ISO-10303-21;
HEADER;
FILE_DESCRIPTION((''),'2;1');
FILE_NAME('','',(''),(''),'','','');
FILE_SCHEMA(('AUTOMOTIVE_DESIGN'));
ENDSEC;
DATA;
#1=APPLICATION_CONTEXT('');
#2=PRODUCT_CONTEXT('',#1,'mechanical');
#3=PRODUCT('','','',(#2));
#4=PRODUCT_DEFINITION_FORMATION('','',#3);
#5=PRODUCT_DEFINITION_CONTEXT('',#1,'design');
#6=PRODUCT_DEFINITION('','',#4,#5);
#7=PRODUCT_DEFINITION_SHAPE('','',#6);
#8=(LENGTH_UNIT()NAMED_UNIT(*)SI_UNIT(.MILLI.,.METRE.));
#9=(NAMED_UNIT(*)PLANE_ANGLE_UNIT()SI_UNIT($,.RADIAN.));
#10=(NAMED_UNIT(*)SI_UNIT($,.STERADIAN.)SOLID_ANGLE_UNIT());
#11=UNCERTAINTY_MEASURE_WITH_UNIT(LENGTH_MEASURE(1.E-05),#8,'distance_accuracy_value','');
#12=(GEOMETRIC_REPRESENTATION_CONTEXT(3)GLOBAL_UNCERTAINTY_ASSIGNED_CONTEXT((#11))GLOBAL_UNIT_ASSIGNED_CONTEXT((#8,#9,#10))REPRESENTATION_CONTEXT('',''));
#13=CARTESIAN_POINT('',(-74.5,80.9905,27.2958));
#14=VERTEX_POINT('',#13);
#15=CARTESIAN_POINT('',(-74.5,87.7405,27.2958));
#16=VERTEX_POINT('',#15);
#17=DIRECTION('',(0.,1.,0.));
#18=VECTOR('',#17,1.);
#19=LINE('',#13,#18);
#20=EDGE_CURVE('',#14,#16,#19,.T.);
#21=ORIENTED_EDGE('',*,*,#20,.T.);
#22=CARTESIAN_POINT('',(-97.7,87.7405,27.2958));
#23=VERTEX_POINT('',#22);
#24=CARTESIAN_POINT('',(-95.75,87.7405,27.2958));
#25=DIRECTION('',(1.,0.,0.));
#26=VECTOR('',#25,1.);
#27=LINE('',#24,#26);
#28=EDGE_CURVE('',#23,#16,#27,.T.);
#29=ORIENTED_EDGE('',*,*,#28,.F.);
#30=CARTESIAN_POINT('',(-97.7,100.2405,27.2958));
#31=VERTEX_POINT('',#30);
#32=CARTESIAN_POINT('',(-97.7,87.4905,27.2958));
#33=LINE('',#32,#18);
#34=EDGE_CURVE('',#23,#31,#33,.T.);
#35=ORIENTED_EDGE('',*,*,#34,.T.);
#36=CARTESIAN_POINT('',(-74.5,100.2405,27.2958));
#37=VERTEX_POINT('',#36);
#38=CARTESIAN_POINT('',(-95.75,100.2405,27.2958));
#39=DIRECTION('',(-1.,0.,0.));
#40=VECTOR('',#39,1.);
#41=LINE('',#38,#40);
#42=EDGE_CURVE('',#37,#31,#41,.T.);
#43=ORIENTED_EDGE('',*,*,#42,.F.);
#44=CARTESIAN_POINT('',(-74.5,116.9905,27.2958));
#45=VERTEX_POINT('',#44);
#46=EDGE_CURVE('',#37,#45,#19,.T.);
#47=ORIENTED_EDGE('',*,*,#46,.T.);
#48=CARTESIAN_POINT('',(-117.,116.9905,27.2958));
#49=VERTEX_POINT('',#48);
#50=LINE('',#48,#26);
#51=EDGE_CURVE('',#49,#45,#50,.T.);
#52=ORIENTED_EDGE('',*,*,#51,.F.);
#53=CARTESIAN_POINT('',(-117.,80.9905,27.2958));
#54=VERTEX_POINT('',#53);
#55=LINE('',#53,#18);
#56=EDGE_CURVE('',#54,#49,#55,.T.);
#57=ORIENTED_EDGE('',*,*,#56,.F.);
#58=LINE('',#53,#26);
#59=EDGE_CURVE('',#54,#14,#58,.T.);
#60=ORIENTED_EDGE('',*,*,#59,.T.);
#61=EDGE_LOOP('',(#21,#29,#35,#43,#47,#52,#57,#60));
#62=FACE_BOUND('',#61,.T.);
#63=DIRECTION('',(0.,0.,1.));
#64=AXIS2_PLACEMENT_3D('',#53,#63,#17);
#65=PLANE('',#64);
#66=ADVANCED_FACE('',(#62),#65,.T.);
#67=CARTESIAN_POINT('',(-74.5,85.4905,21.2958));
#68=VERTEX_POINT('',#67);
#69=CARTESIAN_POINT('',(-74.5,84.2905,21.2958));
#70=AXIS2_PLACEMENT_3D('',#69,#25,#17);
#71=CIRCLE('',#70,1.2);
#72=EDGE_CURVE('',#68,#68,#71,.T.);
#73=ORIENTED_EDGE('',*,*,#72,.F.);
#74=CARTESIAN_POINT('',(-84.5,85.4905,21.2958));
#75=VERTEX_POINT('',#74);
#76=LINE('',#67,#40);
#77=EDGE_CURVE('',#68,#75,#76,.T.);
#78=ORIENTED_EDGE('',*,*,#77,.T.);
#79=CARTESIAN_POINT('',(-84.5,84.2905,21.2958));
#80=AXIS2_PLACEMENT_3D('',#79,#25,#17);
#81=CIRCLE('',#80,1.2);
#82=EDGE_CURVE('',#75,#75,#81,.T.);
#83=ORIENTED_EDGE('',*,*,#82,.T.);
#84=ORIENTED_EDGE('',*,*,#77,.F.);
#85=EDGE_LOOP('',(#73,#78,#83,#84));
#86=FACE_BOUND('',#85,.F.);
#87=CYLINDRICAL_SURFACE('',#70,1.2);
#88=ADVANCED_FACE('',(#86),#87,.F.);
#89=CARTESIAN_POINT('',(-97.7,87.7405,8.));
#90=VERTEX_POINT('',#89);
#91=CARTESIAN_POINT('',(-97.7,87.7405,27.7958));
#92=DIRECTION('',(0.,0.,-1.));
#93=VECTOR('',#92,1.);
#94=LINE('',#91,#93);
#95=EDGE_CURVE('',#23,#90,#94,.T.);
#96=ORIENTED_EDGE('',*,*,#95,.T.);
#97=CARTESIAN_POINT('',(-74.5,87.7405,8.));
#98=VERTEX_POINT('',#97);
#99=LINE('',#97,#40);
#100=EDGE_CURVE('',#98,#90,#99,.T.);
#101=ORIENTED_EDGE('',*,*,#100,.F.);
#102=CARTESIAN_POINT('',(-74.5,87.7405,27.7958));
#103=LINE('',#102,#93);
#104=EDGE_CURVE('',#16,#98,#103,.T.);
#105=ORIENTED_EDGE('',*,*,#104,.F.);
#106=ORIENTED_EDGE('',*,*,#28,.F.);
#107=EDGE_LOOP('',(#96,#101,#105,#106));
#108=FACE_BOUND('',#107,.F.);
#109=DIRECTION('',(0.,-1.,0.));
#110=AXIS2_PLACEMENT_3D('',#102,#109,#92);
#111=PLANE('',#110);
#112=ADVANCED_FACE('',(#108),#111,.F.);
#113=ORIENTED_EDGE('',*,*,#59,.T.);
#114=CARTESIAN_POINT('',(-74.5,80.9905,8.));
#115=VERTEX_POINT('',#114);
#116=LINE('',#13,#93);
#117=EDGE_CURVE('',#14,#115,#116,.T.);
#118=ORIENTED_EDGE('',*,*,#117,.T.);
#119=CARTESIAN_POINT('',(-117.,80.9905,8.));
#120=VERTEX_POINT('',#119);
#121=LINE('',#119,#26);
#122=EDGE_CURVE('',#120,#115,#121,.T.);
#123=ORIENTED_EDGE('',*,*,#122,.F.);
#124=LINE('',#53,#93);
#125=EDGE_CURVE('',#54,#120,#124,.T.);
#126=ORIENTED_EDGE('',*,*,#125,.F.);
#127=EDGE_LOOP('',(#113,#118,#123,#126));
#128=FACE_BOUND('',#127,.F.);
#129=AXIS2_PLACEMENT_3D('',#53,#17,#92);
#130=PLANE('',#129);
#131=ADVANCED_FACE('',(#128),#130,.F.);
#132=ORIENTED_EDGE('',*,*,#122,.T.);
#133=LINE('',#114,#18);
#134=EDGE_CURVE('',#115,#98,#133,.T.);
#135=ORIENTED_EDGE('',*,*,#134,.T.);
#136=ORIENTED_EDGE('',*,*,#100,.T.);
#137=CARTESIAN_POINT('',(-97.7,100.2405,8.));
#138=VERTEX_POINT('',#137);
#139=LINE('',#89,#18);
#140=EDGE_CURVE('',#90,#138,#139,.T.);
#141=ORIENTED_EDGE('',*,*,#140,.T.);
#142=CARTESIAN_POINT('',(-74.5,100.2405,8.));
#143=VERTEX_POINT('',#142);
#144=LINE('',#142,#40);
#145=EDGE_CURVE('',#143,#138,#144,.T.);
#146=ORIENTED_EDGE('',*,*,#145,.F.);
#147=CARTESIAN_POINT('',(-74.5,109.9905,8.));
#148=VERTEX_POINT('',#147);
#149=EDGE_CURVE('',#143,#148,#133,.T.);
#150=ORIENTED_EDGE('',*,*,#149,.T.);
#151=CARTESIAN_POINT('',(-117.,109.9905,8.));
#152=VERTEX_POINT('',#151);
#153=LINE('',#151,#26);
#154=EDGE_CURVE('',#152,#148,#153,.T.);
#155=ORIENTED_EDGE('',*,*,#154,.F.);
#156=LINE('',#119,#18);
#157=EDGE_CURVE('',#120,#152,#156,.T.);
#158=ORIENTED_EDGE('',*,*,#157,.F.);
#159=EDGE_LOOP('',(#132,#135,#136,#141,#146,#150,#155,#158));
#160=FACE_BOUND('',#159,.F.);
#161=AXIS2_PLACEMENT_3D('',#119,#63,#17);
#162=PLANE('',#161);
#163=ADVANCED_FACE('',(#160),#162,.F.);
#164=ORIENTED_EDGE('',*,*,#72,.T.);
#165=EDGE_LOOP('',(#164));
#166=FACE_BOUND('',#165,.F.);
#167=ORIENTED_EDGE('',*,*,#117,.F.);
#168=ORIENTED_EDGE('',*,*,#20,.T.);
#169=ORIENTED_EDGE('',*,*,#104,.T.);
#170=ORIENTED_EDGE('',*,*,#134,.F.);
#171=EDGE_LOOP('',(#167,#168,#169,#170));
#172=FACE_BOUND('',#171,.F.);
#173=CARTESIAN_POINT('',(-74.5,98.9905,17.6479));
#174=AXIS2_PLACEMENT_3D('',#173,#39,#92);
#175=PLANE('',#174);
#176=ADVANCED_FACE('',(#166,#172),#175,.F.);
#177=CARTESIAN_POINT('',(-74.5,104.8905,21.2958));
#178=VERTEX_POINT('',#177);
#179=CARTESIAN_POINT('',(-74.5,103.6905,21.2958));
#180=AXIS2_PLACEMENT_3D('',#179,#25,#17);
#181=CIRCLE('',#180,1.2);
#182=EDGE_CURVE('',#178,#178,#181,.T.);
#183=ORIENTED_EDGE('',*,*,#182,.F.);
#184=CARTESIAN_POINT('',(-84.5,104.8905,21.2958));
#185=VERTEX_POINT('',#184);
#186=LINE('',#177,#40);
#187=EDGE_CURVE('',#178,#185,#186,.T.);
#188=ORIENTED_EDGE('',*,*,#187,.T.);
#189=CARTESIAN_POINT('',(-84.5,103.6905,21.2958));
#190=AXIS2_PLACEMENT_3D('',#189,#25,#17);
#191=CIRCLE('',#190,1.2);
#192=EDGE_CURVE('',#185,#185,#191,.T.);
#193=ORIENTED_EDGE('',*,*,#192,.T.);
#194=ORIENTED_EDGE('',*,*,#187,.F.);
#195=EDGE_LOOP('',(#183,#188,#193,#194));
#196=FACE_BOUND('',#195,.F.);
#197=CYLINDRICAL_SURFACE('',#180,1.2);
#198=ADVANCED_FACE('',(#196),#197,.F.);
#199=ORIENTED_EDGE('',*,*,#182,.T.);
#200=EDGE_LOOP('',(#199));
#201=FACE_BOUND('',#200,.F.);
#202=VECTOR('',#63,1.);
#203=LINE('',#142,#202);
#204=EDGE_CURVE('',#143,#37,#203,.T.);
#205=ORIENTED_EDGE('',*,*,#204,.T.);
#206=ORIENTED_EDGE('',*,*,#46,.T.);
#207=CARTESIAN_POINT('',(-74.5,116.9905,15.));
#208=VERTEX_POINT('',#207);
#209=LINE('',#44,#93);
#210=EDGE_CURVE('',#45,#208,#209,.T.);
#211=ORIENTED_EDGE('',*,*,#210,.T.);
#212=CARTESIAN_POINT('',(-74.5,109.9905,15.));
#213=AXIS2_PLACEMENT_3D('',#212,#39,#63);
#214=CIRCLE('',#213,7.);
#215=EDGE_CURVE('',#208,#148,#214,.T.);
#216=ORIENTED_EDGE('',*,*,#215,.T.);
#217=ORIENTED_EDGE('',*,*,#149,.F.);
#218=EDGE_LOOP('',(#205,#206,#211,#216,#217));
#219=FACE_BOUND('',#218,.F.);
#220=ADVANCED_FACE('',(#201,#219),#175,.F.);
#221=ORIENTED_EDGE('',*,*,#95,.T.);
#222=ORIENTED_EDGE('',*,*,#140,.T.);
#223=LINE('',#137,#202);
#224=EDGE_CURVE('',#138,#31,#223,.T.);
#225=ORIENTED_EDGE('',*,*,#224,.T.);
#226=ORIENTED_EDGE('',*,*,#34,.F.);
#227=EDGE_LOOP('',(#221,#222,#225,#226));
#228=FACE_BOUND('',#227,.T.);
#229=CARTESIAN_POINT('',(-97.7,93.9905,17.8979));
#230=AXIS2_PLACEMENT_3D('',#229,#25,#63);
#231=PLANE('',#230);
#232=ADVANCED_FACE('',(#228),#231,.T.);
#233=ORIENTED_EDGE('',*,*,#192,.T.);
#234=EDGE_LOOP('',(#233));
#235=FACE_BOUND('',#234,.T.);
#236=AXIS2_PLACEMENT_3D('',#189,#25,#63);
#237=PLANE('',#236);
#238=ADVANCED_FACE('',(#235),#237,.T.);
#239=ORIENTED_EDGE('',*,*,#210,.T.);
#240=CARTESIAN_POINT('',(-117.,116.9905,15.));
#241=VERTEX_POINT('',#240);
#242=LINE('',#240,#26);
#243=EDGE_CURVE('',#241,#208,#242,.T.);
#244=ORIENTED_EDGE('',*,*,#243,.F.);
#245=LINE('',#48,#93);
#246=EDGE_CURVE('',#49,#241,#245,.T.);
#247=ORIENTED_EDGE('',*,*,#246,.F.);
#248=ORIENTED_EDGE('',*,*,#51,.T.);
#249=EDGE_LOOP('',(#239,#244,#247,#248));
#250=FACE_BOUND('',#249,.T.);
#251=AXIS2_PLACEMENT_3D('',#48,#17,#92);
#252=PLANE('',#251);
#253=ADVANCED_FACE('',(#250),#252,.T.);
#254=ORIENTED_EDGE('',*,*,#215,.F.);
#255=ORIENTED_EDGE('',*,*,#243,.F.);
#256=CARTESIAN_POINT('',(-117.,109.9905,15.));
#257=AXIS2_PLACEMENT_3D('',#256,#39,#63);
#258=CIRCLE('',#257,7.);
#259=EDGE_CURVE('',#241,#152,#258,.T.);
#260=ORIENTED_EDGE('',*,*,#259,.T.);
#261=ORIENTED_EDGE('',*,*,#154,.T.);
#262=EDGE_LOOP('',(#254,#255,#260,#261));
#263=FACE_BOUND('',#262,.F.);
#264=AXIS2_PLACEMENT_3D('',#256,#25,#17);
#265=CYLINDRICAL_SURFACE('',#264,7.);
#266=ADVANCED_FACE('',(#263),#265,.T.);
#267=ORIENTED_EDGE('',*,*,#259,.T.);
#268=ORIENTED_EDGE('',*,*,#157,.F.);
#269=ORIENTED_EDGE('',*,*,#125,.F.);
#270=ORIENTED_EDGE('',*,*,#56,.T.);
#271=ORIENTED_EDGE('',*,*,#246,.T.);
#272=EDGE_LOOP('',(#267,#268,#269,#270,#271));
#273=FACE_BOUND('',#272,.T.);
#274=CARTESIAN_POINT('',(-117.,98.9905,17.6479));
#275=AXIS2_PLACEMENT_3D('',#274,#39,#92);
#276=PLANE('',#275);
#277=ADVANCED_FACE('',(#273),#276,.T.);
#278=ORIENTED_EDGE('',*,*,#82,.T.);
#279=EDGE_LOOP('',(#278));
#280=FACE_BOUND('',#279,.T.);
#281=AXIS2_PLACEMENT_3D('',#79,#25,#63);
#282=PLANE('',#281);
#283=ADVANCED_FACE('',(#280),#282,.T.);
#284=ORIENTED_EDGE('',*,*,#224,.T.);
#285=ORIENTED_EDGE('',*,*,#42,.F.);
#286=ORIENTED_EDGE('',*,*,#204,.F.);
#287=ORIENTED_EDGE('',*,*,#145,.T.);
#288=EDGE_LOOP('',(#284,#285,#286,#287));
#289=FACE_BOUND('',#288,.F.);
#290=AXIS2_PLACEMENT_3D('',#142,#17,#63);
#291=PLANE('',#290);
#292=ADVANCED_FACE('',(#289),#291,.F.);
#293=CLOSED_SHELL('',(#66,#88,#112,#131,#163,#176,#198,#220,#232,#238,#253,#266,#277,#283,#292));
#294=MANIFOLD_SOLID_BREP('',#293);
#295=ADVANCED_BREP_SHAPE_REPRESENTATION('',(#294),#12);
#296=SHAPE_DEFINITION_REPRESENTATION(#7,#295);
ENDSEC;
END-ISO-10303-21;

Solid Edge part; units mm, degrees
sketch "Sketch1" plane through (-117, 0, 0) normal (1, 0, 0) x (0, 1, 0)
  line L0 (80.9905, 27.2958) -> (116.9905, 27.2958)
  line L1 (116.9905, 27.2958) -> (116.9905, 8)
  line L2 (80.9905, 8) -> (116.9905, 8)
  line L3 (80.9905, 27.2958) -> (80.9905, 8)
extrude "Protrusion1" add sketch "Sketch1" along normal blind 42.5
fillet "Round_2" radius 7 1 edges at (-95.75, 116.9905, 8)
sketch "Sketch2" plane through (-74.5, 98.9905, 18.3979) normal (1, 0, 0) x (0, 1, 0)
  line L0 (-11.25, 9.3979) -> (-11.25, -10.3979)
  line L1 (-11.25, -10.3979) -> (1.25, -10.3979)
  line L2 (1.25, -10.3979) -> (1.25, 9.3979)
  line L3 (-11.25, 9.3979) -> (1.25, 9.3979)
extrude "ExtrudedCutout_7" cut sketch "Sketch2" against normal blind 23.2
sketch "Sketch3" plane through (-74.5, 98.9905, 18.3979) normal (1, 0, 0) x (0, 1, 0)
  circle A0 centre (-14.7, 2.8979) radius 1.2
  circle A1 centre (4.7, 2.8979) radius 1.2
extrude "ExtrudedCutout_8" cut sketch "Sketch3" against normal blind 10
